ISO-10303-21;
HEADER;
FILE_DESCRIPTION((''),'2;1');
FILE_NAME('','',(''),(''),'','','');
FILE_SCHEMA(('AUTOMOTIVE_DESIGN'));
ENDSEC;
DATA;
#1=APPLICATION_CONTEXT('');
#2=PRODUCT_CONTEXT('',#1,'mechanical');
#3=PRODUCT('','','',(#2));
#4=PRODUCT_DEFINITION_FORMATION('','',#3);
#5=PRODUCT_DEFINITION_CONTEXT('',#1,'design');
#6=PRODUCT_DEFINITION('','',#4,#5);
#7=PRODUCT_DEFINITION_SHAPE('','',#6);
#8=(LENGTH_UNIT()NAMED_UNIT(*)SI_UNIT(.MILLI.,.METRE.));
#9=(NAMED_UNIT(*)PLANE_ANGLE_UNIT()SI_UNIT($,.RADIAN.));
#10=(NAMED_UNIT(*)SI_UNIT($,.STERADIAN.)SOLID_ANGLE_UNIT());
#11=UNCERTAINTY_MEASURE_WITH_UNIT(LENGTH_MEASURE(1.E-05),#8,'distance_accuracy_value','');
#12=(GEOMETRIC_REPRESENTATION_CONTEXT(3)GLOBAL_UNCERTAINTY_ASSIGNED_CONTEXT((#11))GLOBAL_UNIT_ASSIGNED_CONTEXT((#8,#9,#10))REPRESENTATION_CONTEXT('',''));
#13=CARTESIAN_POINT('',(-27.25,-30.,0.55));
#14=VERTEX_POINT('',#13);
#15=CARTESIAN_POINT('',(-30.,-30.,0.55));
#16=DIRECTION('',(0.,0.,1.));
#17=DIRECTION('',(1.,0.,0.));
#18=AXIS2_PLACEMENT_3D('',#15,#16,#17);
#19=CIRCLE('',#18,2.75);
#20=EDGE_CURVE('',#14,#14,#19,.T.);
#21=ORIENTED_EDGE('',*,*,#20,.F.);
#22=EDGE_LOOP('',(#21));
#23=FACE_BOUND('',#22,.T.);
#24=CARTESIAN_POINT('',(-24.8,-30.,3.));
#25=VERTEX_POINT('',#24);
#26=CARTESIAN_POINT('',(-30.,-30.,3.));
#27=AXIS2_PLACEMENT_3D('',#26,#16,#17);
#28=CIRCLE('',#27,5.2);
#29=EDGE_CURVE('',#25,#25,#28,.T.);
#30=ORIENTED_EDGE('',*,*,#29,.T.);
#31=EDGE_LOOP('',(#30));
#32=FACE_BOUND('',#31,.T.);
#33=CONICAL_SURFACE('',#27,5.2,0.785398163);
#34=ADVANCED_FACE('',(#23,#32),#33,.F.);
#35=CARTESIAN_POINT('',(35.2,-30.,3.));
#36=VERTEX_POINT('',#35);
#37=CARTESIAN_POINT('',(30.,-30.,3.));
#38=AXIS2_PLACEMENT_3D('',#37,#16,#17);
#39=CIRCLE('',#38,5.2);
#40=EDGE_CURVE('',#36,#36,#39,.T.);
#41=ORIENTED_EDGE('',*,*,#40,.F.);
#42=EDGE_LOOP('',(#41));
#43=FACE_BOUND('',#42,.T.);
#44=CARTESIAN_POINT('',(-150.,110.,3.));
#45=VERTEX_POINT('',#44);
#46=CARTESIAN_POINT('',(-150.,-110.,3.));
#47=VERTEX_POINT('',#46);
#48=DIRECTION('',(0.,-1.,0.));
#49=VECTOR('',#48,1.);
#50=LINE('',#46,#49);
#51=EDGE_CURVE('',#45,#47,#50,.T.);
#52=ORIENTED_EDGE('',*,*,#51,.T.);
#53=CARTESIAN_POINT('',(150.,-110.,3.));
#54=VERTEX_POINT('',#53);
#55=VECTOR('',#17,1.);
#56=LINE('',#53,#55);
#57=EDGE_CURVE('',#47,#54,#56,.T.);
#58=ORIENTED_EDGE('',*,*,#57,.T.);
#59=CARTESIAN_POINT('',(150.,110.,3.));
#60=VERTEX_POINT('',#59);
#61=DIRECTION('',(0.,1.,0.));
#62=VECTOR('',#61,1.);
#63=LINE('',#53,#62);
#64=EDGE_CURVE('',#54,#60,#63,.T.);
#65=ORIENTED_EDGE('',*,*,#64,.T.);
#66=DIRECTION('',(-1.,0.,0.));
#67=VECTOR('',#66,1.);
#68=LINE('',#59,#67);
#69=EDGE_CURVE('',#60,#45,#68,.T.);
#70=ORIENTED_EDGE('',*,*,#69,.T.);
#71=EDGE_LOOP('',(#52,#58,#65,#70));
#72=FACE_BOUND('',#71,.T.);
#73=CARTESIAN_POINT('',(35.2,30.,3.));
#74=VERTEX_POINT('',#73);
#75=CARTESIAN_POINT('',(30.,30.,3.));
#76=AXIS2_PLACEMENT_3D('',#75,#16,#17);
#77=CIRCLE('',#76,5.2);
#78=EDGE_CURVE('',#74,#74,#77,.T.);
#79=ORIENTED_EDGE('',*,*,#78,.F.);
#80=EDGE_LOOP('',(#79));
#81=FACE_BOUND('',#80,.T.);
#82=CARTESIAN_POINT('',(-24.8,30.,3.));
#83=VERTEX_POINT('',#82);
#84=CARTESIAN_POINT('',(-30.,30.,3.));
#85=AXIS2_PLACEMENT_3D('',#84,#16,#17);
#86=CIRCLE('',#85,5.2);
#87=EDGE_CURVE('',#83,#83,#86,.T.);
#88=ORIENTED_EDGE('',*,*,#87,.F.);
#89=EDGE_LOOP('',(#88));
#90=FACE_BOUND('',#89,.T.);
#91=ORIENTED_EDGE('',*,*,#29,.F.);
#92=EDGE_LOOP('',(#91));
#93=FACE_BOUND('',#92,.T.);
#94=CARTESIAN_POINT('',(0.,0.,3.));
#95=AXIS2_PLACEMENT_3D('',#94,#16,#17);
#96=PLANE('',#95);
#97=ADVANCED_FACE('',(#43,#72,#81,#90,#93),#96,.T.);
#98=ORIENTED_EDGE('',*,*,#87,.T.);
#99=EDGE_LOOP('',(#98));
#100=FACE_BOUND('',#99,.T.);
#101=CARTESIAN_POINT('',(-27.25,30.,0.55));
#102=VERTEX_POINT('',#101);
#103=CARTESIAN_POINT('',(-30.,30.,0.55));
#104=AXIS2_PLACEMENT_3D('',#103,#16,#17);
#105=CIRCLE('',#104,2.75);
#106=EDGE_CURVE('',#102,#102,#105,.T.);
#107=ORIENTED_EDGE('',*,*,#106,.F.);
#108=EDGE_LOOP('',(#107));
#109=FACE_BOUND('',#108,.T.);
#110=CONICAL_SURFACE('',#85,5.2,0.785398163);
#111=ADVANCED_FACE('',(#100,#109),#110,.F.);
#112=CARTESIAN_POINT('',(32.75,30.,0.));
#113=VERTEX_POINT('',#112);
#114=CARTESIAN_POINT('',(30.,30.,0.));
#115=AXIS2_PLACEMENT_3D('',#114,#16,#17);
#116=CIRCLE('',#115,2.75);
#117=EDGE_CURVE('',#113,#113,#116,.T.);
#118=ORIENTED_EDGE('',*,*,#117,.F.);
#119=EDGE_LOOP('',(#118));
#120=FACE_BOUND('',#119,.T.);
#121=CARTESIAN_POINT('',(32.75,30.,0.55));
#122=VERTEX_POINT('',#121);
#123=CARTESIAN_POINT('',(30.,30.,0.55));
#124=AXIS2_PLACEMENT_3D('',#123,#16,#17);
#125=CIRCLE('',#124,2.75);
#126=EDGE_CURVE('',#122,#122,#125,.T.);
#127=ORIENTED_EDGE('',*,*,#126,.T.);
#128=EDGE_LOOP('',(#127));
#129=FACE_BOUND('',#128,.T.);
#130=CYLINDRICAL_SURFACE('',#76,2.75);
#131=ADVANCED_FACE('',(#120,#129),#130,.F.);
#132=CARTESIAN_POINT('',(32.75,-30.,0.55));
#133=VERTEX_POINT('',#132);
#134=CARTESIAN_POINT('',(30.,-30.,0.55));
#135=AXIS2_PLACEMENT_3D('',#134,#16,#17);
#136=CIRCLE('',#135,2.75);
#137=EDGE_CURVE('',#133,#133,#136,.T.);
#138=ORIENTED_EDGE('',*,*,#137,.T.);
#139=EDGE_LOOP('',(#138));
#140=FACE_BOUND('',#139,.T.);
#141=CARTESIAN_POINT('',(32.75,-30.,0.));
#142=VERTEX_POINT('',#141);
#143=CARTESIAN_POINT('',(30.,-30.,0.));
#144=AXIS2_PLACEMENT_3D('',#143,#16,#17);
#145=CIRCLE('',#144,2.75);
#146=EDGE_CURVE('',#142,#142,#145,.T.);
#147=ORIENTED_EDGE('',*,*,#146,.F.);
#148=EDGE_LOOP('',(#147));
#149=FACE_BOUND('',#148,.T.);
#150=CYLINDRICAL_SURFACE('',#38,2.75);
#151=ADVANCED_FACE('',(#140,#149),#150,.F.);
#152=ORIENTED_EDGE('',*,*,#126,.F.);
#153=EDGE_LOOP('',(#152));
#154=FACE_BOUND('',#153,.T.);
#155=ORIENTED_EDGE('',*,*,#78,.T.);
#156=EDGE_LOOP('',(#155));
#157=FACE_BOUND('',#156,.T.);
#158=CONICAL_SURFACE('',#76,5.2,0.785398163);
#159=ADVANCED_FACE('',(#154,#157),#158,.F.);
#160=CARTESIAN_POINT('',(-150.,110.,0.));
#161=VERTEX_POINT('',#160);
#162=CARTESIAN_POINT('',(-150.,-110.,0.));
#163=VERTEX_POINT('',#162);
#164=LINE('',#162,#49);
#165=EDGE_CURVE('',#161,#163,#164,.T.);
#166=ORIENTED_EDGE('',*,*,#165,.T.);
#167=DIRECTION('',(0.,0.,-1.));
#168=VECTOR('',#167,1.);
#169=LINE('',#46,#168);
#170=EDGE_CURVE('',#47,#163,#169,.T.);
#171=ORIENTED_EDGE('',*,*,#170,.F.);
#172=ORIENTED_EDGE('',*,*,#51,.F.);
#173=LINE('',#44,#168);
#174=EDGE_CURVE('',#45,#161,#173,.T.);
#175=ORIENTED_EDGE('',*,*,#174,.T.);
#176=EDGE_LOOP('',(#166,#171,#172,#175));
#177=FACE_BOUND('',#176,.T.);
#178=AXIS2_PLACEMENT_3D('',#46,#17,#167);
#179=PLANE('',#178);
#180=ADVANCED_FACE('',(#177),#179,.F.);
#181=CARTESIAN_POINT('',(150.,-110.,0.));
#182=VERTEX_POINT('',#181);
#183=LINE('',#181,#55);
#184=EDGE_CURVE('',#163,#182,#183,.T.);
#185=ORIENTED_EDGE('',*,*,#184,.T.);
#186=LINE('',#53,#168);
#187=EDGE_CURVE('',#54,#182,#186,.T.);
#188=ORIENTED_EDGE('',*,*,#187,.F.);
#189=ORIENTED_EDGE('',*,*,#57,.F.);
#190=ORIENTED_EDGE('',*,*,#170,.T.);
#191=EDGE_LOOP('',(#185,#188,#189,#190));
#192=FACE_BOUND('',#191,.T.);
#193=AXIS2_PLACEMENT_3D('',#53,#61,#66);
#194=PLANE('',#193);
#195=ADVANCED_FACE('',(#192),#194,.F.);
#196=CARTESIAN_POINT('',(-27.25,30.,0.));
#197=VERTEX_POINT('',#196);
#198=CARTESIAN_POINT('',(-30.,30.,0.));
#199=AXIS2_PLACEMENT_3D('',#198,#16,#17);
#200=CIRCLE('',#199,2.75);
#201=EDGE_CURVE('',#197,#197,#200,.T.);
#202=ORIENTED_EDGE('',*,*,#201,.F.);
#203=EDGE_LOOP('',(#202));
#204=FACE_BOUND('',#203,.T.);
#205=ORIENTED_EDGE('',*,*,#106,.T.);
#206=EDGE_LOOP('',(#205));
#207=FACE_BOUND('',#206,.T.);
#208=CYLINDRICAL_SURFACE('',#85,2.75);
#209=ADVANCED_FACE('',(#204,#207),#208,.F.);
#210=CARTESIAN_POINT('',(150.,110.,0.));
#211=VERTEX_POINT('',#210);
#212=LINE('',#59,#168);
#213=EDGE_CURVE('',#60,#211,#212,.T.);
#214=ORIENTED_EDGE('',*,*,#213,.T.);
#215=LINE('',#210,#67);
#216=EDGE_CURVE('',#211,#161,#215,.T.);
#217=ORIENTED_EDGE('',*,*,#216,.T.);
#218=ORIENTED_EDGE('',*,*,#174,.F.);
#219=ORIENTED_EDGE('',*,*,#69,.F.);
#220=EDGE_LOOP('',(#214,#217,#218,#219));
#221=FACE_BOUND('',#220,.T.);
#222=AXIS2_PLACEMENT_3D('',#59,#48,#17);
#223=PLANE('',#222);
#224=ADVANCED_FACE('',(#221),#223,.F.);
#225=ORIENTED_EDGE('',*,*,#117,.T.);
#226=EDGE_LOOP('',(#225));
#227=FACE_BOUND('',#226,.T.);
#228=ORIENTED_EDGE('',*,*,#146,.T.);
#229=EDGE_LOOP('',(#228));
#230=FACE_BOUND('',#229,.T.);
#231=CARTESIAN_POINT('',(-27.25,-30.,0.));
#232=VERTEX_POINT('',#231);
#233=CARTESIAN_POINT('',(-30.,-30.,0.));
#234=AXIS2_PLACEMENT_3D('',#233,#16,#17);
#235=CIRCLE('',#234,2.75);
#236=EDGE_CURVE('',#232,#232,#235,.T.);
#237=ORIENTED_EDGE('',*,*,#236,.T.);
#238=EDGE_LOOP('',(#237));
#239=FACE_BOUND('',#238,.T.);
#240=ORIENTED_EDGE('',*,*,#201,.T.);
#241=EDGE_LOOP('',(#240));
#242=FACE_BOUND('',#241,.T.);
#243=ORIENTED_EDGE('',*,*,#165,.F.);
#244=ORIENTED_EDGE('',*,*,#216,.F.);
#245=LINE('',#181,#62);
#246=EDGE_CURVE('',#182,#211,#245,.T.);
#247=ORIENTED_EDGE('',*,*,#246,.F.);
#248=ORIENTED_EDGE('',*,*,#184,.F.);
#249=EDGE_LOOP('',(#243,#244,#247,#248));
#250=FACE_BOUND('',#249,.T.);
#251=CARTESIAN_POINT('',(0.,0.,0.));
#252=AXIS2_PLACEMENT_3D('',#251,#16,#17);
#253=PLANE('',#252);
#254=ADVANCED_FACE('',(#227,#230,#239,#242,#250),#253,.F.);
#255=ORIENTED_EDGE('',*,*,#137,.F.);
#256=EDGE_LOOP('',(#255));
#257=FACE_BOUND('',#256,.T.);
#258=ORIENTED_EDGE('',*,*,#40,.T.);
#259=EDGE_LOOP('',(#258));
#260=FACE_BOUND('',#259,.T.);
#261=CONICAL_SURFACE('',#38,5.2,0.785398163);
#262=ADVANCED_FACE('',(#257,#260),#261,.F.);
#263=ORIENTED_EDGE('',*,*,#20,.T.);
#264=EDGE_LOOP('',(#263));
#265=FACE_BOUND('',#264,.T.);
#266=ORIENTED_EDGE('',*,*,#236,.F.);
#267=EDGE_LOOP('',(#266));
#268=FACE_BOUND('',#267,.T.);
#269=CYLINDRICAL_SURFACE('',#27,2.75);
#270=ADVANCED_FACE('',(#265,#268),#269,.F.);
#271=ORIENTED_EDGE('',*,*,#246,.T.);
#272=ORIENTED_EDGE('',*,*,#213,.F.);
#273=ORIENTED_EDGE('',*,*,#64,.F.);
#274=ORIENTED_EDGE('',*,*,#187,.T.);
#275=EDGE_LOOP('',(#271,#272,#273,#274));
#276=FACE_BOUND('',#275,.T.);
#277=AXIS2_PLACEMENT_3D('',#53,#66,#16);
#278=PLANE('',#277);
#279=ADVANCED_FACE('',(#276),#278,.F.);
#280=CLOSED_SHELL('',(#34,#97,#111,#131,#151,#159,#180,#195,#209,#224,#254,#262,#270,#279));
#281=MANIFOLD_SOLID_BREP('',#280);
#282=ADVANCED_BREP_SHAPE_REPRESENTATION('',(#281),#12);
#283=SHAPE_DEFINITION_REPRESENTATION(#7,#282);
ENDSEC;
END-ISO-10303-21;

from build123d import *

# Parameters (mm, degrees)
SKETCH1_W                                   = 300
SKETCH1_H                                   = 220
BOSS_EXTRUDE1_DEPTH                         = 3
FRAISAGE_POUR_VIS_T_TE_FRAIS_E_M51_AT_COUNT = 2
FRAISAGE_POUR_VIS_T_TE_FRAIS_E_M51_AT_PITCH = 60
FRAISAGE_POUR_VIS_T_TE_FRAIS_E_M51_2_COUNT  = 2
FRAISAGE_POUR_VIS_T_TE_FRAIS_E_M51_2_PITCH  = 60
FRAISAGE_POUR_VIS_T_TE_FRAIS_E_M51_3_COUNT  = 2
FRAISAGE_POUR_VIS_T_TE_FRAIS_E_M51_3_PITCH  = 84.852813742


with BuildPart() as part:
    # Sketch1 → Boss-Extrude1 (new body)
    with BuildSketch(Plane.XY):
        Rectangle(SKETCH1_W, SKETCH1_H)
    extrude(amount=BOSS_EXTRUDE1_DEPTH)

    # Sketch5 → Fraisage pour vis à tête fraisée M51 (revolve, cut)
    with BuildSketch(Plane(origin=(-30, 30, 3), x_dir=(0, -1, 0), z_dir=(1, 0, 0))):
        Polygon((0, 0), (0, 3), (2.75, 3), (2.75, 2.45), (5.2, 0), align=None)
    fraisage_pour_vis_t_te_frais_e_m51 = revolve(axis=Axis((-30, 30, 9.35), (0, 0, -1)), mode=Mode.SUBTRACT)

    # Fraisage pour vis à tête fraisée M51 at: Fraisage pour vis à tête fraisée M51 ×2
    with Locations(*[(i * FRAISAGE_POUR_VIS_T_TE_FRAIS_E_M51_AT_PITCH, 0, 0) for i in range(1, FRAISAGE_POUR_VIS_T_TE_FRAIS_E_M51_AT_COUNT)]):
        add(fraisage_pour_vis_t_te_frais_e_m51, mode=Mode.SUBTRACT)

    # Fraisage pour vis _ t_te frais_e M51 2: Fraisage pour vis à tête fraisée M51 ×2
    with Locations(*[(0, -i * FRAISAGE_POUR_VIS_T_TE_FRAIS_E_M51_2_PITCH, 0) for i in range(1, FRAISAGE_POUR_VIS_T_TE_FRAIS_E_M51_2_COUNT)]):
        add(fraisage_pour_vis_t_te_frais_e_m51, mode=Mode.SUBTRACT)

    # Fraisage pour vis _ t_te frais_e M51 3: Fraisage pour vis à tête fraisée M51 ×2
    with Locations(*[Vector(0.7071067811865489, -0.7071067811865462, 0) * (i * FRAISAGE_POUR_VIS_T_TE_FRAIS_E_M51_3_PITCH) for i in range(1, FRAISAGE_POUR_VIS_T_TE_FRAIS_E_M51_3_COUNT)]):
        add(fraisage_pour_vis_t_te_frais_e_m51, mode=Mode.SUBTRACT)


solid = part.part
